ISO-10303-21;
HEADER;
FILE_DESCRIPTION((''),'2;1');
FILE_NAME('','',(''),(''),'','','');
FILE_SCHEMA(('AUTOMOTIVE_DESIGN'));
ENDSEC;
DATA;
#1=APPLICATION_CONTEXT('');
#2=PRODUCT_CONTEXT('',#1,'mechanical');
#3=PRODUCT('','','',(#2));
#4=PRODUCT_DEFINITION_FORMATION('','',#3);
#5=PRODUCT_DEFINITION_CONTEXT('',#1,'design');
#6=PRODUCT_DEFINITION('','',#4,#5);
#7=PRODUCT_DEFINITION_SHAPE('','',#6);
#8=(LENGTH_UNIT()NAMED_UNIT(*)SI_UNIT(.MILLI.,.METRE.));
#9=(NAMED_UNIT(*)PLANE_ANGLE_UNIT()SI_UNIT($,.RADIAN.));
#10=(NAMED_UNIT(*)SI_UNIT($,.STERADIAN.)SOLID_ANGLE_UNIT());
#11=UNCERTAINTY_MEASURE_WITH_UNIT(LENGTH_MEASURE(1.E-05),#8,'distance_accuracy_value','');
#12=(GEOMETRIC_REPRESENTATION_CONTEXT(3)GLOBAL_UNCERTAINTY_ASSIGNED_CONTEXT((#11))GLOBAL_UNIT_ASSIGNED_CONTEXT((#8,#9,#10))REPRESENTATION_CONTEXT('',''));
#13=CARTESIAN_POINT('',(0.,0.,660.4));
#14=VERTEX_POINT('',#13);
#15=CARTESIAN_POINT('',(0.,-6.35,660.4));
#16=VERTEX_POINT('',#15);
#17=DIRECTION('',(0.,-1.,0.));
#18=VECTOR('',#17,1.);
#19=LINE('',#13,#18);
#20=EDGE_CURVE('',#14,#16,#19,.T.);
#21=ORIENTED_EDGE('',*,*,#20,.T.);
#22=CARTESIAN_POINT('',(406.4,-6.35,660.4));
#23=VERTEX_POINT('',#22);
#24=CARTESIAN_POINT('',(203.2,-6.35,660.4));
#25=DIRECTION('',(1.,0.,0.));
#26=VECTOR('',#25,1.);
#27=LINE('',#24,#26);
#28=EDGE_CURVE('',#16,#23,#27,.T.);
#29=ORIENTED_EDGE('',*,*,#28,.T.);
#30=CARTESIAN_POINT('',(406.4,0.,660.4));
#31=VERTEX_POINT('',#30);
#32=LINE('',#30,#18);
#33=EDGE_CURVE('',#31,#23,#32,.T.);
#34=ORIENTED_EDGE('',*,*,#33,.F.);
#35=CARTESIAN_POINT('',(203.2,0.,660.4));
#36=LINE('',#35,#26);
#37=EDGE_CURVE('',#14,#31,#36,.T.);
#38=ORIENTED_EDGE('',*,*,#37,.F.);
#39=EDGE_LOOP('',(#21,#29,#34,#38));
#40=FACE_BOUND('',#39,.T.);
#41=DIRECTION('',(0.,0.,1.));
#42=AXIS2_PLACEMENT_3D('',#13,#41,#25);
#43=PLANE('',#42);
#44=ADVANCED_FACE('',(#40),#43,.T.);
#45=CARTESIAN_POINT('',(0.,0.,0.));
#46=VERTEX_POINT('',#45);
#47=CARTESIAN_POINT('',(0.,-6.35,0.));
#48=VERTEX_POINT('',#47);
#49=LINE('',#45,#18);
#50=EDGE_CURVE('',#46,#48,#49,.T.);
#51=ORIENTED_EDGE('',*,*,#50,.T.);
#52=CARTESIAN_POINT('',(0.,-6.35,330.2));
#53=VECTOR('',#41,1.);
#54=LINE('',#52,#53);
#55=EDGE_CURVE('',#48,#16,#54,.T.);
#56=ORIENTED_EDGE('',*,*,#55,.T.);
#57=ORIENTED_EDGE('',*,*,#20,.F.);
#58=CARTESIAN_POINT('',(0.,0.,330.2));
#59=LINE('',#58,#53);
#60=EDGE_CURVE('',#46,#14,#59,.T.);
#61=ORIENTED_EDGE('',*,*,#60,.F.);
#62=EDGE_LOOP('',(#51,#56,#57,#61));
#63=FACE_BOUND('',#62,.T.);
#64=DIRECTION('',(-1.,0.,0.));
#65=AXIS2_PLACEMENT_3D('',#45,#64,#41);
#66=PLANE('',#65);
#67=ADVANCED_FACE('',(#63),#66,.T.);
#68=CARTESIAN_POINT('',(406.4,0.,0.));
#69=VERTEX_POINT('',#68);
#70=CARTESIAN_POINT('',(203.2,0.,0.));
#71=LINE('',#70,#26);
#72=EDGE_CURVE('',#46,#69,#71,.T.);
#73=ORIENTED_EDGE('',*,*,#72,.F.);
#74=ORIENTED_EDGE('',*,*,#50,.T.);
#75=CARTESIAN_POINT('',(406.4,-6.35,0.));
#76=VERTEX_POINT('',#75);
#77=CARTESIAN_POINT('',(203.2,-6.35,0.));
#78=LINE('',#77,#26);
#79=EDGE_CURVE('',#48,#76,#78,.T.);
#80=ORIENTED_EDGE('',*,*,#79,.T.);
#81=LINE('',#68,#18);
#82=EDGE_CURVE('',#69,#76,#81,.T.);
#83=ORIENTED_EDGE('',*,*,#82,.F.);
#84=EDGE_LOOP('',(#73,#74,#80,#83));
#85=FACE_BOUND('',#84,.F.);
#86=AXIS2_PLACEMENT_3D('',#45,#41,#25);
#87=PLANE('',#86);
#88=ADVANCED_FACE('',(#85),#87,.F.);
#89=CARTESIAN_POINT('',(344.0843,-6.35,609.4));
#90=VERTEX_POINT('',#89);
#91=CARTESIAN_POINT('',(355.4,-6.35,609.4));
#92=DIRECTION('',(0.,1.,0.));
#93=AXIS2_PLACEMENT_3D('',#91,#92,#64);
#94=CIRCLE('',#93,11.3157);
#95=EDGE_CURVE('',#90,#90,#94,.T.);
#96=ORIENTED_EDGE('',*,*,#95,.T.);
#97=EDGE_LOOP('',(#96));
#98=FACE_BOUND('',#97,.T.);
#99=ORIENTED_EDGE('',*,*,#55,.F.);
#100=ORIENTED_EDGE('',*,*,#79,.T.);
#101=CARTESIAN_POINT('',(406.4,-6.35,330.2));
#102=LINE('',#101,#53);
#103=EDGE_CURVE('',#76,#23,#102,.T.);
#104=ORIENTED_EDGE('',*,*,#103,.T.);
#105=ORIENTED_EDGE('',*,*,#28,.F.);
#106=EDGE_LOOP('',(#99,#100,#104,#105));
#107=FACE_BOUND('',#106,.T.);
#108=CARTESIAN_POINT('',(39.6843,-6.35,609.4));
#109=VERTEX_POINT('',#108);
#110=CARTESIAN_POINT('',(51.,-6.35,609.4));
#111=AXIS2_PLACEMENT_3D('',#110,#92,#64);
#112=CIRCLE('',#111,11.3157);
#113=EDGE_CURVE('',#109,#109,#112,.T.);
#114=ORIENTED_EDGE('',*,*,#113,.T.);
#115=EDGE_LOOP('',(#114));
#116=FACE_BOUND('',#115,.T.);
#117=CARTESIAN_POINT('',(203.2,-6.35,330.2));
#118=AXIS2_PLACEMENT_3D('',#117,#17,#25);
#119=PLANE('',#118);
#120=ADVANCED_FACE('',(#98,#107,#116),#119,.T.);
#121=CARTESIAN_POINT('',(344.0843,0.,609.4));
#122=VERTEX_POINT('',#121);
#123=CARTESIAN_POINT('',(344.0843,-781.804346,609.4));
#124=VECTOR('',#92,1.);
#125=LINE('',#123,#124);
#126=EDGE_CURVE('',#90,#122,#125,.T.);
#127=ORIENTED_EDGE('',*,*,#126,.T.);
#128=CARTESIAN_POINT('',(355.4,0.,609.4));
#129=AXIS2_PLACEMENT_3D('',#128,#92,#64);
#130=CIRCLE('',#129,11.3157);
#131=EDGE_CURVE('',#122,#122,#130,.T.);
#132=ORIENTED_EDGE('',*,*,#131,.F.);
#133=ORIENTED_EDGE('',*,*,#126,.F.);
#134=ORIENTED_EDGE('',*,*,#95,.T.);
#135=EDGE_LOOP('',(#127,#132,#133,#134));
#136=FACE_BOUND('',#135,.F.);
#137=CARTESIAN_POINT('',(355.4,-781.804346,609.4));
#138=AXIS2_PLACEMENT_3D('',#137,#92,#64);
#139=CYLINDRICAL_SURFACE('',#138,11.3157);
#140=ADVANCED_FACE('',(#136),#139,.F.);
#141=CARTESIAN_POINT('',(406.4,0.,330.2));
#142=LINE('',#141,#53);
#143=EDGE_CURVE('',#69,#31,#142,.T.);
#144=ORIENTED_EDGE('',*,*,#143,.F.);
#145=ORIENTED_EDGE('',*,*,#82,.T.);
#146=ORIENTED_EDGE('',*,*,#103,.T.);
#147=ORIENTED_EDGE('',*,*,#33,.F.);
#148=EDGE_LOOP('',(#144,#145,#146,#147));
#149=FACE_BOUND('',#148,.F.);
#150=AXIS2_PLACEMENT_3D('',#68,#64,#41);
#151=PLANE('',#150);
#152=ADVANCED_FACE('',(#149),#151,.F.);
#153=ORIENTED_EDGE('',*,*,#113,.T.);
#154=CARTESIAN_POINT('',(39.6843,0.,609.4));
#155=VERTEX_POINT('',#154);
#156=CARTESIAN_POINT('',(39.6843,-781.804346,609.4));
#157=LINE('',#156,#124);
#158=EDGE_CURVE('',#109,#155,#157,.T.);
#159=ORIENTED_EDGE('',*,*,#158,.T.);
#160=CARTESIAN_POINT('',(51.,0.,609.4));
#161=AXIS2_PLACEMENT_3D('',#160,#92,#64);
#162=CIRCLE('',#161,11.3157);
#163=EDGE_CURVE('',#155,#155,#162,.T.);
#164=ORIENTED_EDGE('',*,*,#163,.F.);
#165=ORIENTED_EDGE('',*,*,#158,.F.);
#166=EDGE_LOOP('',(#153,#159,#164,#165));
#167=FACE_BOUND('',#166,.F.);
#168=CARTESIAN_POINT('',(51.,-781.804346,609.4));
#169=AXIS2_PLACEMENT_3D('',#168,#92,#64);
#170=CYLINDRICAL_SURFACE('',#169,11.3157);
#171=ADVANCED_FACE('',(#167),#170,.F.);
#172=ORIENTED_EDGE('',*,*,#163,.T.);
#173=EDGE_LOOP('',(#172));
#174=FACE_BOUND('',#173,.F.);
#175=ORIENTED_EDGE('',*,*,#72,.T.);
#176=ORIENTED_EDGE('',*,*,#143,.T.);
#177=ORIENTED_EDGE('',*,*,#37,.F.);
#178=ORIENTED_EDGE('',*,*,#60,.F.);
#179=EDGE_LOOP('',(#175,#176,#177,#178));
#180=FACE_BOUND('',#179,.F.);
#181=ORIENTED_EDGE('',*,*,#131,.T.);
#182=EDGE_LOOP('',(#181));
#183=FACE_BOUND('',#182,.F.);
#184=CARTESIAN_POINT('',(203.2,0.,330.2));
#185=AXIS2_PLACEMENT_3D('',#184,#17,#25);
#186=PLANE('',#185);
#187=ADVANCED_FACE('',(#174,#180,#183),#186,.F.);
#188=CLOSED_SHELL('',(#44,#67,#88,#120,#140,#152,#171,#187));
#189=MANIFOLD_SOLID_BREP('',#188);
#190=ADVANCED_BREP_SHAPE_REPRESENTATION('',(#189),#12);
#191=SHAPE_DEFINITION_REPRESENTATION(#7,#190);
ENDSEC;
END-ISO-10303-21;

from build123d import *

# Parameters (mm, degrees)
F0_W     = 406.4
F0_H     = 660.4
F1_DEPTH = 6.35
F3_D     = 22.6314


with BuildPart() as f1:
    # F0 (on Front) → F1 (new body)
    with BuildSketch(Plane.XZ):
        with Locations((203.2, 330.2)):
            Rectangle(F0_W, F0_H)
    extrude(amount=F1_DEPTH)

    # F3 (through all)
    with Locations(Plane.XZ.offset(6.35)):
        with Locations((51, 609.4), (355.4, 609.4)):
            Hole(F3_D / 2)


solid = f1.part
